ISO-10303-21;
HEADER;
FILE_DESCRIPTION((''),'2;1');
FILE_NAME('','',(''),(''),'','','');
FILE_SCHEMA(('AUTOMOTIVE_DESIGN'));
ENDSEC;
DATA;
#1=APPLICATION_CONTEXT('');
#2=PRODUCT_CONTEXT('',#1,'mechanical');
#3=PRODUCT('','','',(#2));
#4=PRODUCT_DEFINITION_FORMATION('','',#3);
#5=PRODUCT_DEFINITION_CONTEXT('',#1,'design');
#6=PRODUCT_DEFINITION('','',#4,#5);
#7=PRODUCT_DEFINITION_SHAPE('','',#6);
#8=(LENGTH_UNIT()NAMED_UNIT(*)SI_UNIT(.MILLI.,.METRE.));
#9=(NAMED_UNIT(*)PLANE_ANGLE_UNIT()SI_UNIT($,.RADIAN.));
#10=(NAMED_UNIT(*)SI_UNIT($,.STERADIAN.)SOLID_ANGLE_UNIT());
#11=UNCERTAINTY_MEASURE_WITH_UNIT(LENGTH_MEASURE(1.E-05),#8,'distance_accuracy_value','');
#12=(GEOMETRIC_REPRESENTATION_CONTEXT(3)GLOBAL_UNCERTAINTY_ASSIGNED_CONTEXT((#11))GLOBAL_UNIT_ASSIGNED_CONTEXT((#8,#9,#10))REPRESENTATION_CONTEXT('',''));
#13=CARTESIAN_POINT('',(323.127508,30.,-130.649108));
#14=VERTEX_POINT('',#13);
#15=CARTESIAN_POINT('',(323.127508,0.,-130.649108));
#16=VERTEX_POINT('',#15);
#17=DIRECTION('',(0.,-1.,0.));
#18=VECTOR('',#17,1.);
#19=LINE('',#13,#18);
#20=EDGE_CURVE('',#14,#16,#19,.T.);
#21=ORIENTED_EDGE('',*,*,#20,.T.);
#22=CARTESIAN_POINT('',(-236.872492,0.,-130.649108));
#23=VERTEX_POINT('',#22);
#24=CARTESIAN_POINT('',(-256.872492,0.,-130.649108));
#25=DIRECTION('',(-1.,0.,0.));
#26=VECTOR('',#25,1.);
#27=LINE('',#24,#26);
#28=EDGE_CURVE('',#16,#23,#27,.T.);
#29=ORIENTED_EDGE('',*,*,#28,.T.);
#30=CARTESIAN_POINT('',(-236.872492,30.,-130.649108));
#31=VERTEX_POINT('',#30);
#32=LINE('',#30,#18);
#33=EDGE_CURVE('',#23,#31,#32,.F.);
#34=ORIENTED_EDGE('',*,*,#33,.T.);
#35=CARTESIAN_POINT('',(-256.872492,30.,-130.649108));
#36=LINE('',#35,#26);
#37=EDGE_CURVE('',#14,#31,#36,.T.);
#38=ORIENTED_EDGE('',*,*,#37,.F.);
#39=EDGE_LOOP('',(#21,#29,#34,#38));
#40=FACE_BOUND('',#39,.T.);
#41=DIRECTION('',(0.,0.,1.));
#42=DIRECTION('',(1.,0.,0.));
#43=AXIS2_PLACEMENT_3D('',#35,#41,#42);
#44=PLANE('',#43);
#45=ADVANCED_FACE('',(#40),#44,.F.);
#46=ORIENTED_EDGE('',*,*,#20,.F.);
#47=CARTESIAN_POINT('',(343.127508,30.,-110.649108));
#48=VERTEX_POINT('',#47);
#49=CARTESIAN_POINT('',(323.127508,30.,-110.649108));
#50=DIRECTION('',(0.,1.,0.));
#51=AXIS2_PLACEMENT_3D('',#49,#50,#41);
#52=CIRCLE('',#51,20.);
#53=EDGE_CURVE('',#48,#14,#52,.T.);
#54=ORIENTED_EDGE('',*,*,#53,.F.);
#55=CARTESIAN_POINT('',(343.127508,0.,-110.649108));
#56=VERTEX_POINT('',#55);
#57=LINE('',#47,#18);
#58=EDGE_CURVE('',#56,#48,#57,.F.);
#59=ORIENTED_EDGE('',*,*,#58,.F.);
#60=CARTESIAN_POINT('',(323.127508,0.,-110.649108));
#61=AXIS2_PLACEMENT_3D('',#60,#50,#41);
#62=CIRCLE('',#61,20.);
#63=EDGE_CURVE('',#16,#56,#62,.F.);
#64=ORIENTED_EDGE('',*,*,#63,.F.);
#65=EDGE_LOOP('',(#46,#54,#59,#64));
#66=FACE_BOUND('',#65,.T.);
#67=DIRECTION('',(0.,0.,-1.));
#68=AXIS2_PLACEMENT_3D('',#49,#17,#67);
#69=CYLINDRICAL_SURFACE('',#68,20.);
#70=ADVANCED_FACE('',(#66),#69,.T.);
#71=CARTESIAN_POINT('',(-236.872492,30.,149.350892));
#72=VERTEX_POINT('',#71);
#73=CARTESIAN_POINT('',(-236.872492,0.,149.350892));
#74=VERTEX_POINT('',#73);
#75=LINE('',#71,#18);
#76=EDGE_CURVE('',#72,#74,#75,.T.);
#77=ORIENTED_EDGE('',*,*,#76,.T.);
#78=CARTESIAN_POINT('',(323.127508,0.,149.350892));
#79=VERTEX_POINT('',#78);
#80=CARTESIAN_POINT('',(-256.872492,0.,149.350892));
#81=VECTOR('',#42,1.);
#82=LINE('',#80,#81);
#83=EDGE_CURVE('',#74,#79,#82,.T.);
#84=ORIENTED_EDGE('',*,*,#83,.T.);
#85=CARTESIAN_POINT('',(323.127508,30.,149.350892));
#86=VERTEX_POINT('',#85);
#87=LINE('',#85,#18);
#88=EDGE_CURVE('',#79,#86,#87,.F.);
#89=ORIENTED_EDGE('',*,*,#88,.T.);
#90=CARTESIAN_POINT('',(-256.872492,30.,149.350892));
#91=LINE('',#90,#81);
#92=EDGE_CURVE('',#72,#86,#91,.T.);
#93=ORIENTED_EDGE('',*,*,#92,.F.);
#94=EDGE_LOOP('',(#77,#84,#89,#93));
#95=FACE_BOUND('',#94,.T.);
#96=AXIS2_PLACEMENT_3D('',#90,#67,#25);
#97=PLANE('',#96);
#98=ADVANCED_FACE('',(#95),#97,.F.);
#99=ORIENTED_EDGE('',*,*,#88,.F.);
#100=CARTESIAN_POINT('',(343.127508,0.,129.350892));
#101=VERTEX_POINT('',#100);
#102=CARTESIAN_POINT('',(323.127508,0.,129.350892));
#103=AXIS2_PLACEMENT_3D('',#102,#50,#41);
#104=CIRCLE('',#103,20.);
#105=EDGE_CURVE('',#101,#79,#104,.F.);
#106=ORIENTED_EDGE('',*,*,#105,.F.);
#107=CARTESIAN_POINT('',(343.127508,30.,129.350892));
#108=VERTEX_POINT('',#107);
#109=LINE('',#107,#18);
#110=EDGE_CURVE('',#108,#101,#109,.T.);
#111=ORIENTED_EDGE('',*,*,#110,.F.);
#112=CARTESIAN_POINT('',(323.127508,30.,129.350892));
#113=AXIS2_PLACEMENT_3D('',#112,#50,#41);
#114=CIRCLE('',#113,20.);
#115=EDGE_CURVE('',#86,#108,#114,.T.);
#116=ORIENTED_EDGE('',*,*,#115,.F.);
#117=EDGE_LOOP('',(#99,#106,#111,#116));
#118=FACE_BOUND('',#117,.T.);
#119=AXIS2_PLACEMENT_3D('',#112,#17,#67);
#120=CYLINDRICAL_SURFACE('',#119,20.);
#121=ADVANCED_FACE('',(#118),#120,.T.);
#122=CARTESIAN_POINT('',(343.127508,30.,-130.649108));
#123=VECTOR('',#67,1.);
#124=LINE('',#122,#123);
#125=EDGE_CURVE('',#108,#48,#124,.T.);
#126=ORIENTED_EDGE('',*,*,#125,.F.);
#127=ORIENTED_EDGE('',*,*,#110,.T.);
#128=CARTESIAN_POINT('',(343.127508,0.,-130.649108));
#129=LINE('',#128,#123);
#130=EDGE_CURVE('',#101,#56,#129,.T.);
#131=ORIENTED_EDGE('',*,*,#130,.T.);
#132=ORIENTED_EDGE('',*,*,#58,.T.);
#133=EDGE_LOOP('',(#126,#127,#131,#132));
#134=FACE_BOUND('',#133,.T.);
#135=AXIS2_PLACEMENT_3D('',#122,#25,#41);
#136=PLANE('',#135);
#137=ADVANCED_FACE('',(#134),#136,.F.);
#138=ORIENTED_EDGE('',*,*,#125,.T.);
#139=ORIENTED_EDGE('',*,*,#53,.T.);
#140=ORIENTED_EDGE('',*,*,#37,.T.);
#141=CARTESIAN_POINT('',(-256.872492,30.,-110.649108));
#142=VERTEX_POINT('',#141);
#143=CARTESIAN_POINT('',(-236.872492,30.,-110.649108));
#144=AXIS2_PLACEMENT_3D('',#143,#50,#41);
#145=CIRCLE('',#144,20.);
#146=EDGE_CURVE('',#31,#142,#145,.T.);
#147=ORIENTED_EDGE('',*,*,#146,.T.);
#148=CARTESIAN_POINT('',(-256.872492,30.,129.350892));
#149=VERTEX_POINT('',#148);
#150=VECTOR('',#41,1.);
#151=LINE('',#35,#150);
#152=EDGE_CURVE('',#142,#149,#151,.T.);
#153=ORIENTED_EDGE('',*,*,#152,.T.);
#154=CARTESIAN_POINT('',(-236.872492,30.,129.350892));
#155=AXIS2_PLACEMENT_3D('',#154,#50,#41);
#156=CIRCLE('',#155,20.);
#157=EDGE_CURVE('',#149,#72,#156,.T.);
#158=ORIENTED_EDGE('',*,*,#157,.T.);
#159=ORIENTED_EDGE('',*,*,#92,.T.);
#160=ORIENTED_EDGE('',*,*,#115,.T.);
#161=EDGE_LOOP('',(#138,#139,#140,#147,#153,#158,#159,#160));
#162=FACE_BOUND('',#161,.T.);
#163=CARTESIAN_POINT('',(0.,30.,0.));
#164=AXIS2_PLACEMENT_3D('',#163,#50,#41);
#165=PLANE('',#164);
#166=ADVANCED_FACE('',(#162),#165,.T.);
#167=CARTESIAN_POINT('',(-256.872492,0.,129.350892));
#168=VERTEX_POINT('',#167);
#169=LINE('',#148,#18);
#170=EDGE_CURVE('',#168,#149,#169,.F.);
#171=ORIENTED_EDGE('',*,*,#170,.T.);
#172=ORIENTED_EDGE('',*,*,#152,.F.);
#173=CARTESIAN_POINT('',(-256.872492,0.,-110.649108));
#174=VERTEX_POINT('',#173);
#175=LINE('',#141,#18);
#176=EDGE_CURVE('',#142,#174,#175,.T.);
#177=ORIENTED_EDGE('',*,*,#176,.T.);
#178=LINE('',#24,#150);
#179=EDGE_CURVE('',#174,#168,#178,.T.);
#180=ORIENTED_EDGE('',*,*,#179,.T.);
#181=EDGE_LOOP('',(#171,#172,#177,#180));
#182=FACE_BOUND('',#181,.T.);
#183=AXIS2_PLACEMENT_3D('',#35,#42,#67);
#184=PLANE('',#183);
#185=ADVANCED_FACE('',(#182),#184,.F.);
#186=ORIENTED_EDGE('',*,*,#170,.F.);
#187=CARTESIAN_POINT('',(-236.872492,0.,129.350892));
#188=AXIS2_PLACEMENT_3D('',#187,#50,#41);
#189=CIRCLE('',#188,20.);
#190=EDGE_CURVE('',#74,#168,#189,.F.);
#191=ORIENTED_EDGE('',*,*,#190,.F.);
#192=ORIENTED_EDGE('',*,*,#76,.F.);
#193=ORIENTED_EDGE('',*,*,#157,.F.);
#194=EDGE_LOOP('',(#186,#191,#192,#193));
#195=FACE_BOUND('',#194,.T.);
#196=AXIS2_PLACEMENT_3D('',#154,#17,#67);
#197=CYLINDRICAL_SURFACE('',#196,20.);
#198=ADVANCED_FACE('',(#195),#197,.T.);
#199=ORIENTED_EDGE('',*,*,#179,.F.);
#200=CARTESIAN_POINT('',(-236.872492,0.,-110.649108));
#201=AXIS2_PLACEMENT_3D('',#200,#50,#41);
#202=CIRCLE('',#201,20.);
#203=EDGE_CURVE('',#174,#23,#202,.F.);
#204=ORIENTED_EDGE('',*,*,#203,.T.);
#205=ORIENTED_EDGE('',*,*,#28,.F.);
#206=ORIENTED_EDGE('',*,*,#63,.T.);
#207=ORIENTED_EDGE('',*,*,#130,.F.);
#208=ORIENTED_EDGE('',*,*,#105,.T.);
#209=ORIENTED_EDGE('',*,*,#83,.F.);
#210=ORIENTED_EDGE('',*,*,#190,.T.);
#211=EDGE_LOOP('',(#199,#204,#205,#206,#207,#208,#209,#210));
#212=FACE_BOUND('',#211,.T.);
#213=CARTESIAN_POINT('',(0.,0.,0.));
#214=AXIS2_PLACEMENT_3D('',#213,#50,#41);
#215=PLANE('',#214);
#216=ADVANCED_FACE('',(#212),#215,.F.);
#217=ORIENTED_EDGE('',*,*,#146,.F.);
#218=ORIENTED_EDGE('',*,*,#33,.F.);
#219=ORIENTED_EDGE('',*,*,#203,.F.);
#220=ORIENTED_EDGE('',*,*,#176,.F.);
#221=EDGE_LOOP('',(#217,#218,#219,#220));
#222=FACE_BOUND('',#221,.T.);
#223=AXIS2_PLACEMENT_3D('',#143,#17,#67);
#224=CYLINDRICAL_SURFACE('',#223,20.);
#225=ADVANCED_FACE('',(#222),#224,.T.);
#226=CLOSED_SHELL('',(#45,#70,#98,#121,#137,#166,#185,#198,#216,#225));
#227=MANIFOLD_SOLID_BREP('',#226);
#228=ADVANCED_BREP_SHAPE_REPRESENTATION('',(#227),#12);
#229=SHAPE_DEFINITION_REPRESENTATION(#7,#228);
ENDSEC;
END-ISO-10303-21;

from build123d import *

# Parameters (mm, degrees)
SKETCH1_W           = 600
SKETCH1_H           = 280
BOSS_EXTRUDE1_DEPTH = 30
FILLET1_R           = 20


with BuildPart() as part:
    # Sketch1 → Boss-Extrude1 (new body)
    with BuildSketch(Plane(origin=(0, 0, 0), x_dir=(1, 0, 0), z_dir=(0, 1, 0))):
        with Locations((43.127508055, -9.350891932)):
            Rectangle(SKETCH1_W, SKETCH1_H)
    extrude(amount=BOSS_EXTRUDE1_DEPTH)

    # Fillet1
    fillet1_edges = [part.edges().sort_by_distance(p)[0] for p in [
        (343.127508055, 15, 149.350891932),
        (-256.872491945, 15, 149.350891932),
        (-256.872491945, 15, -130.649108068),
        (343.127508055, 15, -130.649108068),
    ]]
    fillet(fillet1_edges, radius=FILLET1_R)


solid = part.part
